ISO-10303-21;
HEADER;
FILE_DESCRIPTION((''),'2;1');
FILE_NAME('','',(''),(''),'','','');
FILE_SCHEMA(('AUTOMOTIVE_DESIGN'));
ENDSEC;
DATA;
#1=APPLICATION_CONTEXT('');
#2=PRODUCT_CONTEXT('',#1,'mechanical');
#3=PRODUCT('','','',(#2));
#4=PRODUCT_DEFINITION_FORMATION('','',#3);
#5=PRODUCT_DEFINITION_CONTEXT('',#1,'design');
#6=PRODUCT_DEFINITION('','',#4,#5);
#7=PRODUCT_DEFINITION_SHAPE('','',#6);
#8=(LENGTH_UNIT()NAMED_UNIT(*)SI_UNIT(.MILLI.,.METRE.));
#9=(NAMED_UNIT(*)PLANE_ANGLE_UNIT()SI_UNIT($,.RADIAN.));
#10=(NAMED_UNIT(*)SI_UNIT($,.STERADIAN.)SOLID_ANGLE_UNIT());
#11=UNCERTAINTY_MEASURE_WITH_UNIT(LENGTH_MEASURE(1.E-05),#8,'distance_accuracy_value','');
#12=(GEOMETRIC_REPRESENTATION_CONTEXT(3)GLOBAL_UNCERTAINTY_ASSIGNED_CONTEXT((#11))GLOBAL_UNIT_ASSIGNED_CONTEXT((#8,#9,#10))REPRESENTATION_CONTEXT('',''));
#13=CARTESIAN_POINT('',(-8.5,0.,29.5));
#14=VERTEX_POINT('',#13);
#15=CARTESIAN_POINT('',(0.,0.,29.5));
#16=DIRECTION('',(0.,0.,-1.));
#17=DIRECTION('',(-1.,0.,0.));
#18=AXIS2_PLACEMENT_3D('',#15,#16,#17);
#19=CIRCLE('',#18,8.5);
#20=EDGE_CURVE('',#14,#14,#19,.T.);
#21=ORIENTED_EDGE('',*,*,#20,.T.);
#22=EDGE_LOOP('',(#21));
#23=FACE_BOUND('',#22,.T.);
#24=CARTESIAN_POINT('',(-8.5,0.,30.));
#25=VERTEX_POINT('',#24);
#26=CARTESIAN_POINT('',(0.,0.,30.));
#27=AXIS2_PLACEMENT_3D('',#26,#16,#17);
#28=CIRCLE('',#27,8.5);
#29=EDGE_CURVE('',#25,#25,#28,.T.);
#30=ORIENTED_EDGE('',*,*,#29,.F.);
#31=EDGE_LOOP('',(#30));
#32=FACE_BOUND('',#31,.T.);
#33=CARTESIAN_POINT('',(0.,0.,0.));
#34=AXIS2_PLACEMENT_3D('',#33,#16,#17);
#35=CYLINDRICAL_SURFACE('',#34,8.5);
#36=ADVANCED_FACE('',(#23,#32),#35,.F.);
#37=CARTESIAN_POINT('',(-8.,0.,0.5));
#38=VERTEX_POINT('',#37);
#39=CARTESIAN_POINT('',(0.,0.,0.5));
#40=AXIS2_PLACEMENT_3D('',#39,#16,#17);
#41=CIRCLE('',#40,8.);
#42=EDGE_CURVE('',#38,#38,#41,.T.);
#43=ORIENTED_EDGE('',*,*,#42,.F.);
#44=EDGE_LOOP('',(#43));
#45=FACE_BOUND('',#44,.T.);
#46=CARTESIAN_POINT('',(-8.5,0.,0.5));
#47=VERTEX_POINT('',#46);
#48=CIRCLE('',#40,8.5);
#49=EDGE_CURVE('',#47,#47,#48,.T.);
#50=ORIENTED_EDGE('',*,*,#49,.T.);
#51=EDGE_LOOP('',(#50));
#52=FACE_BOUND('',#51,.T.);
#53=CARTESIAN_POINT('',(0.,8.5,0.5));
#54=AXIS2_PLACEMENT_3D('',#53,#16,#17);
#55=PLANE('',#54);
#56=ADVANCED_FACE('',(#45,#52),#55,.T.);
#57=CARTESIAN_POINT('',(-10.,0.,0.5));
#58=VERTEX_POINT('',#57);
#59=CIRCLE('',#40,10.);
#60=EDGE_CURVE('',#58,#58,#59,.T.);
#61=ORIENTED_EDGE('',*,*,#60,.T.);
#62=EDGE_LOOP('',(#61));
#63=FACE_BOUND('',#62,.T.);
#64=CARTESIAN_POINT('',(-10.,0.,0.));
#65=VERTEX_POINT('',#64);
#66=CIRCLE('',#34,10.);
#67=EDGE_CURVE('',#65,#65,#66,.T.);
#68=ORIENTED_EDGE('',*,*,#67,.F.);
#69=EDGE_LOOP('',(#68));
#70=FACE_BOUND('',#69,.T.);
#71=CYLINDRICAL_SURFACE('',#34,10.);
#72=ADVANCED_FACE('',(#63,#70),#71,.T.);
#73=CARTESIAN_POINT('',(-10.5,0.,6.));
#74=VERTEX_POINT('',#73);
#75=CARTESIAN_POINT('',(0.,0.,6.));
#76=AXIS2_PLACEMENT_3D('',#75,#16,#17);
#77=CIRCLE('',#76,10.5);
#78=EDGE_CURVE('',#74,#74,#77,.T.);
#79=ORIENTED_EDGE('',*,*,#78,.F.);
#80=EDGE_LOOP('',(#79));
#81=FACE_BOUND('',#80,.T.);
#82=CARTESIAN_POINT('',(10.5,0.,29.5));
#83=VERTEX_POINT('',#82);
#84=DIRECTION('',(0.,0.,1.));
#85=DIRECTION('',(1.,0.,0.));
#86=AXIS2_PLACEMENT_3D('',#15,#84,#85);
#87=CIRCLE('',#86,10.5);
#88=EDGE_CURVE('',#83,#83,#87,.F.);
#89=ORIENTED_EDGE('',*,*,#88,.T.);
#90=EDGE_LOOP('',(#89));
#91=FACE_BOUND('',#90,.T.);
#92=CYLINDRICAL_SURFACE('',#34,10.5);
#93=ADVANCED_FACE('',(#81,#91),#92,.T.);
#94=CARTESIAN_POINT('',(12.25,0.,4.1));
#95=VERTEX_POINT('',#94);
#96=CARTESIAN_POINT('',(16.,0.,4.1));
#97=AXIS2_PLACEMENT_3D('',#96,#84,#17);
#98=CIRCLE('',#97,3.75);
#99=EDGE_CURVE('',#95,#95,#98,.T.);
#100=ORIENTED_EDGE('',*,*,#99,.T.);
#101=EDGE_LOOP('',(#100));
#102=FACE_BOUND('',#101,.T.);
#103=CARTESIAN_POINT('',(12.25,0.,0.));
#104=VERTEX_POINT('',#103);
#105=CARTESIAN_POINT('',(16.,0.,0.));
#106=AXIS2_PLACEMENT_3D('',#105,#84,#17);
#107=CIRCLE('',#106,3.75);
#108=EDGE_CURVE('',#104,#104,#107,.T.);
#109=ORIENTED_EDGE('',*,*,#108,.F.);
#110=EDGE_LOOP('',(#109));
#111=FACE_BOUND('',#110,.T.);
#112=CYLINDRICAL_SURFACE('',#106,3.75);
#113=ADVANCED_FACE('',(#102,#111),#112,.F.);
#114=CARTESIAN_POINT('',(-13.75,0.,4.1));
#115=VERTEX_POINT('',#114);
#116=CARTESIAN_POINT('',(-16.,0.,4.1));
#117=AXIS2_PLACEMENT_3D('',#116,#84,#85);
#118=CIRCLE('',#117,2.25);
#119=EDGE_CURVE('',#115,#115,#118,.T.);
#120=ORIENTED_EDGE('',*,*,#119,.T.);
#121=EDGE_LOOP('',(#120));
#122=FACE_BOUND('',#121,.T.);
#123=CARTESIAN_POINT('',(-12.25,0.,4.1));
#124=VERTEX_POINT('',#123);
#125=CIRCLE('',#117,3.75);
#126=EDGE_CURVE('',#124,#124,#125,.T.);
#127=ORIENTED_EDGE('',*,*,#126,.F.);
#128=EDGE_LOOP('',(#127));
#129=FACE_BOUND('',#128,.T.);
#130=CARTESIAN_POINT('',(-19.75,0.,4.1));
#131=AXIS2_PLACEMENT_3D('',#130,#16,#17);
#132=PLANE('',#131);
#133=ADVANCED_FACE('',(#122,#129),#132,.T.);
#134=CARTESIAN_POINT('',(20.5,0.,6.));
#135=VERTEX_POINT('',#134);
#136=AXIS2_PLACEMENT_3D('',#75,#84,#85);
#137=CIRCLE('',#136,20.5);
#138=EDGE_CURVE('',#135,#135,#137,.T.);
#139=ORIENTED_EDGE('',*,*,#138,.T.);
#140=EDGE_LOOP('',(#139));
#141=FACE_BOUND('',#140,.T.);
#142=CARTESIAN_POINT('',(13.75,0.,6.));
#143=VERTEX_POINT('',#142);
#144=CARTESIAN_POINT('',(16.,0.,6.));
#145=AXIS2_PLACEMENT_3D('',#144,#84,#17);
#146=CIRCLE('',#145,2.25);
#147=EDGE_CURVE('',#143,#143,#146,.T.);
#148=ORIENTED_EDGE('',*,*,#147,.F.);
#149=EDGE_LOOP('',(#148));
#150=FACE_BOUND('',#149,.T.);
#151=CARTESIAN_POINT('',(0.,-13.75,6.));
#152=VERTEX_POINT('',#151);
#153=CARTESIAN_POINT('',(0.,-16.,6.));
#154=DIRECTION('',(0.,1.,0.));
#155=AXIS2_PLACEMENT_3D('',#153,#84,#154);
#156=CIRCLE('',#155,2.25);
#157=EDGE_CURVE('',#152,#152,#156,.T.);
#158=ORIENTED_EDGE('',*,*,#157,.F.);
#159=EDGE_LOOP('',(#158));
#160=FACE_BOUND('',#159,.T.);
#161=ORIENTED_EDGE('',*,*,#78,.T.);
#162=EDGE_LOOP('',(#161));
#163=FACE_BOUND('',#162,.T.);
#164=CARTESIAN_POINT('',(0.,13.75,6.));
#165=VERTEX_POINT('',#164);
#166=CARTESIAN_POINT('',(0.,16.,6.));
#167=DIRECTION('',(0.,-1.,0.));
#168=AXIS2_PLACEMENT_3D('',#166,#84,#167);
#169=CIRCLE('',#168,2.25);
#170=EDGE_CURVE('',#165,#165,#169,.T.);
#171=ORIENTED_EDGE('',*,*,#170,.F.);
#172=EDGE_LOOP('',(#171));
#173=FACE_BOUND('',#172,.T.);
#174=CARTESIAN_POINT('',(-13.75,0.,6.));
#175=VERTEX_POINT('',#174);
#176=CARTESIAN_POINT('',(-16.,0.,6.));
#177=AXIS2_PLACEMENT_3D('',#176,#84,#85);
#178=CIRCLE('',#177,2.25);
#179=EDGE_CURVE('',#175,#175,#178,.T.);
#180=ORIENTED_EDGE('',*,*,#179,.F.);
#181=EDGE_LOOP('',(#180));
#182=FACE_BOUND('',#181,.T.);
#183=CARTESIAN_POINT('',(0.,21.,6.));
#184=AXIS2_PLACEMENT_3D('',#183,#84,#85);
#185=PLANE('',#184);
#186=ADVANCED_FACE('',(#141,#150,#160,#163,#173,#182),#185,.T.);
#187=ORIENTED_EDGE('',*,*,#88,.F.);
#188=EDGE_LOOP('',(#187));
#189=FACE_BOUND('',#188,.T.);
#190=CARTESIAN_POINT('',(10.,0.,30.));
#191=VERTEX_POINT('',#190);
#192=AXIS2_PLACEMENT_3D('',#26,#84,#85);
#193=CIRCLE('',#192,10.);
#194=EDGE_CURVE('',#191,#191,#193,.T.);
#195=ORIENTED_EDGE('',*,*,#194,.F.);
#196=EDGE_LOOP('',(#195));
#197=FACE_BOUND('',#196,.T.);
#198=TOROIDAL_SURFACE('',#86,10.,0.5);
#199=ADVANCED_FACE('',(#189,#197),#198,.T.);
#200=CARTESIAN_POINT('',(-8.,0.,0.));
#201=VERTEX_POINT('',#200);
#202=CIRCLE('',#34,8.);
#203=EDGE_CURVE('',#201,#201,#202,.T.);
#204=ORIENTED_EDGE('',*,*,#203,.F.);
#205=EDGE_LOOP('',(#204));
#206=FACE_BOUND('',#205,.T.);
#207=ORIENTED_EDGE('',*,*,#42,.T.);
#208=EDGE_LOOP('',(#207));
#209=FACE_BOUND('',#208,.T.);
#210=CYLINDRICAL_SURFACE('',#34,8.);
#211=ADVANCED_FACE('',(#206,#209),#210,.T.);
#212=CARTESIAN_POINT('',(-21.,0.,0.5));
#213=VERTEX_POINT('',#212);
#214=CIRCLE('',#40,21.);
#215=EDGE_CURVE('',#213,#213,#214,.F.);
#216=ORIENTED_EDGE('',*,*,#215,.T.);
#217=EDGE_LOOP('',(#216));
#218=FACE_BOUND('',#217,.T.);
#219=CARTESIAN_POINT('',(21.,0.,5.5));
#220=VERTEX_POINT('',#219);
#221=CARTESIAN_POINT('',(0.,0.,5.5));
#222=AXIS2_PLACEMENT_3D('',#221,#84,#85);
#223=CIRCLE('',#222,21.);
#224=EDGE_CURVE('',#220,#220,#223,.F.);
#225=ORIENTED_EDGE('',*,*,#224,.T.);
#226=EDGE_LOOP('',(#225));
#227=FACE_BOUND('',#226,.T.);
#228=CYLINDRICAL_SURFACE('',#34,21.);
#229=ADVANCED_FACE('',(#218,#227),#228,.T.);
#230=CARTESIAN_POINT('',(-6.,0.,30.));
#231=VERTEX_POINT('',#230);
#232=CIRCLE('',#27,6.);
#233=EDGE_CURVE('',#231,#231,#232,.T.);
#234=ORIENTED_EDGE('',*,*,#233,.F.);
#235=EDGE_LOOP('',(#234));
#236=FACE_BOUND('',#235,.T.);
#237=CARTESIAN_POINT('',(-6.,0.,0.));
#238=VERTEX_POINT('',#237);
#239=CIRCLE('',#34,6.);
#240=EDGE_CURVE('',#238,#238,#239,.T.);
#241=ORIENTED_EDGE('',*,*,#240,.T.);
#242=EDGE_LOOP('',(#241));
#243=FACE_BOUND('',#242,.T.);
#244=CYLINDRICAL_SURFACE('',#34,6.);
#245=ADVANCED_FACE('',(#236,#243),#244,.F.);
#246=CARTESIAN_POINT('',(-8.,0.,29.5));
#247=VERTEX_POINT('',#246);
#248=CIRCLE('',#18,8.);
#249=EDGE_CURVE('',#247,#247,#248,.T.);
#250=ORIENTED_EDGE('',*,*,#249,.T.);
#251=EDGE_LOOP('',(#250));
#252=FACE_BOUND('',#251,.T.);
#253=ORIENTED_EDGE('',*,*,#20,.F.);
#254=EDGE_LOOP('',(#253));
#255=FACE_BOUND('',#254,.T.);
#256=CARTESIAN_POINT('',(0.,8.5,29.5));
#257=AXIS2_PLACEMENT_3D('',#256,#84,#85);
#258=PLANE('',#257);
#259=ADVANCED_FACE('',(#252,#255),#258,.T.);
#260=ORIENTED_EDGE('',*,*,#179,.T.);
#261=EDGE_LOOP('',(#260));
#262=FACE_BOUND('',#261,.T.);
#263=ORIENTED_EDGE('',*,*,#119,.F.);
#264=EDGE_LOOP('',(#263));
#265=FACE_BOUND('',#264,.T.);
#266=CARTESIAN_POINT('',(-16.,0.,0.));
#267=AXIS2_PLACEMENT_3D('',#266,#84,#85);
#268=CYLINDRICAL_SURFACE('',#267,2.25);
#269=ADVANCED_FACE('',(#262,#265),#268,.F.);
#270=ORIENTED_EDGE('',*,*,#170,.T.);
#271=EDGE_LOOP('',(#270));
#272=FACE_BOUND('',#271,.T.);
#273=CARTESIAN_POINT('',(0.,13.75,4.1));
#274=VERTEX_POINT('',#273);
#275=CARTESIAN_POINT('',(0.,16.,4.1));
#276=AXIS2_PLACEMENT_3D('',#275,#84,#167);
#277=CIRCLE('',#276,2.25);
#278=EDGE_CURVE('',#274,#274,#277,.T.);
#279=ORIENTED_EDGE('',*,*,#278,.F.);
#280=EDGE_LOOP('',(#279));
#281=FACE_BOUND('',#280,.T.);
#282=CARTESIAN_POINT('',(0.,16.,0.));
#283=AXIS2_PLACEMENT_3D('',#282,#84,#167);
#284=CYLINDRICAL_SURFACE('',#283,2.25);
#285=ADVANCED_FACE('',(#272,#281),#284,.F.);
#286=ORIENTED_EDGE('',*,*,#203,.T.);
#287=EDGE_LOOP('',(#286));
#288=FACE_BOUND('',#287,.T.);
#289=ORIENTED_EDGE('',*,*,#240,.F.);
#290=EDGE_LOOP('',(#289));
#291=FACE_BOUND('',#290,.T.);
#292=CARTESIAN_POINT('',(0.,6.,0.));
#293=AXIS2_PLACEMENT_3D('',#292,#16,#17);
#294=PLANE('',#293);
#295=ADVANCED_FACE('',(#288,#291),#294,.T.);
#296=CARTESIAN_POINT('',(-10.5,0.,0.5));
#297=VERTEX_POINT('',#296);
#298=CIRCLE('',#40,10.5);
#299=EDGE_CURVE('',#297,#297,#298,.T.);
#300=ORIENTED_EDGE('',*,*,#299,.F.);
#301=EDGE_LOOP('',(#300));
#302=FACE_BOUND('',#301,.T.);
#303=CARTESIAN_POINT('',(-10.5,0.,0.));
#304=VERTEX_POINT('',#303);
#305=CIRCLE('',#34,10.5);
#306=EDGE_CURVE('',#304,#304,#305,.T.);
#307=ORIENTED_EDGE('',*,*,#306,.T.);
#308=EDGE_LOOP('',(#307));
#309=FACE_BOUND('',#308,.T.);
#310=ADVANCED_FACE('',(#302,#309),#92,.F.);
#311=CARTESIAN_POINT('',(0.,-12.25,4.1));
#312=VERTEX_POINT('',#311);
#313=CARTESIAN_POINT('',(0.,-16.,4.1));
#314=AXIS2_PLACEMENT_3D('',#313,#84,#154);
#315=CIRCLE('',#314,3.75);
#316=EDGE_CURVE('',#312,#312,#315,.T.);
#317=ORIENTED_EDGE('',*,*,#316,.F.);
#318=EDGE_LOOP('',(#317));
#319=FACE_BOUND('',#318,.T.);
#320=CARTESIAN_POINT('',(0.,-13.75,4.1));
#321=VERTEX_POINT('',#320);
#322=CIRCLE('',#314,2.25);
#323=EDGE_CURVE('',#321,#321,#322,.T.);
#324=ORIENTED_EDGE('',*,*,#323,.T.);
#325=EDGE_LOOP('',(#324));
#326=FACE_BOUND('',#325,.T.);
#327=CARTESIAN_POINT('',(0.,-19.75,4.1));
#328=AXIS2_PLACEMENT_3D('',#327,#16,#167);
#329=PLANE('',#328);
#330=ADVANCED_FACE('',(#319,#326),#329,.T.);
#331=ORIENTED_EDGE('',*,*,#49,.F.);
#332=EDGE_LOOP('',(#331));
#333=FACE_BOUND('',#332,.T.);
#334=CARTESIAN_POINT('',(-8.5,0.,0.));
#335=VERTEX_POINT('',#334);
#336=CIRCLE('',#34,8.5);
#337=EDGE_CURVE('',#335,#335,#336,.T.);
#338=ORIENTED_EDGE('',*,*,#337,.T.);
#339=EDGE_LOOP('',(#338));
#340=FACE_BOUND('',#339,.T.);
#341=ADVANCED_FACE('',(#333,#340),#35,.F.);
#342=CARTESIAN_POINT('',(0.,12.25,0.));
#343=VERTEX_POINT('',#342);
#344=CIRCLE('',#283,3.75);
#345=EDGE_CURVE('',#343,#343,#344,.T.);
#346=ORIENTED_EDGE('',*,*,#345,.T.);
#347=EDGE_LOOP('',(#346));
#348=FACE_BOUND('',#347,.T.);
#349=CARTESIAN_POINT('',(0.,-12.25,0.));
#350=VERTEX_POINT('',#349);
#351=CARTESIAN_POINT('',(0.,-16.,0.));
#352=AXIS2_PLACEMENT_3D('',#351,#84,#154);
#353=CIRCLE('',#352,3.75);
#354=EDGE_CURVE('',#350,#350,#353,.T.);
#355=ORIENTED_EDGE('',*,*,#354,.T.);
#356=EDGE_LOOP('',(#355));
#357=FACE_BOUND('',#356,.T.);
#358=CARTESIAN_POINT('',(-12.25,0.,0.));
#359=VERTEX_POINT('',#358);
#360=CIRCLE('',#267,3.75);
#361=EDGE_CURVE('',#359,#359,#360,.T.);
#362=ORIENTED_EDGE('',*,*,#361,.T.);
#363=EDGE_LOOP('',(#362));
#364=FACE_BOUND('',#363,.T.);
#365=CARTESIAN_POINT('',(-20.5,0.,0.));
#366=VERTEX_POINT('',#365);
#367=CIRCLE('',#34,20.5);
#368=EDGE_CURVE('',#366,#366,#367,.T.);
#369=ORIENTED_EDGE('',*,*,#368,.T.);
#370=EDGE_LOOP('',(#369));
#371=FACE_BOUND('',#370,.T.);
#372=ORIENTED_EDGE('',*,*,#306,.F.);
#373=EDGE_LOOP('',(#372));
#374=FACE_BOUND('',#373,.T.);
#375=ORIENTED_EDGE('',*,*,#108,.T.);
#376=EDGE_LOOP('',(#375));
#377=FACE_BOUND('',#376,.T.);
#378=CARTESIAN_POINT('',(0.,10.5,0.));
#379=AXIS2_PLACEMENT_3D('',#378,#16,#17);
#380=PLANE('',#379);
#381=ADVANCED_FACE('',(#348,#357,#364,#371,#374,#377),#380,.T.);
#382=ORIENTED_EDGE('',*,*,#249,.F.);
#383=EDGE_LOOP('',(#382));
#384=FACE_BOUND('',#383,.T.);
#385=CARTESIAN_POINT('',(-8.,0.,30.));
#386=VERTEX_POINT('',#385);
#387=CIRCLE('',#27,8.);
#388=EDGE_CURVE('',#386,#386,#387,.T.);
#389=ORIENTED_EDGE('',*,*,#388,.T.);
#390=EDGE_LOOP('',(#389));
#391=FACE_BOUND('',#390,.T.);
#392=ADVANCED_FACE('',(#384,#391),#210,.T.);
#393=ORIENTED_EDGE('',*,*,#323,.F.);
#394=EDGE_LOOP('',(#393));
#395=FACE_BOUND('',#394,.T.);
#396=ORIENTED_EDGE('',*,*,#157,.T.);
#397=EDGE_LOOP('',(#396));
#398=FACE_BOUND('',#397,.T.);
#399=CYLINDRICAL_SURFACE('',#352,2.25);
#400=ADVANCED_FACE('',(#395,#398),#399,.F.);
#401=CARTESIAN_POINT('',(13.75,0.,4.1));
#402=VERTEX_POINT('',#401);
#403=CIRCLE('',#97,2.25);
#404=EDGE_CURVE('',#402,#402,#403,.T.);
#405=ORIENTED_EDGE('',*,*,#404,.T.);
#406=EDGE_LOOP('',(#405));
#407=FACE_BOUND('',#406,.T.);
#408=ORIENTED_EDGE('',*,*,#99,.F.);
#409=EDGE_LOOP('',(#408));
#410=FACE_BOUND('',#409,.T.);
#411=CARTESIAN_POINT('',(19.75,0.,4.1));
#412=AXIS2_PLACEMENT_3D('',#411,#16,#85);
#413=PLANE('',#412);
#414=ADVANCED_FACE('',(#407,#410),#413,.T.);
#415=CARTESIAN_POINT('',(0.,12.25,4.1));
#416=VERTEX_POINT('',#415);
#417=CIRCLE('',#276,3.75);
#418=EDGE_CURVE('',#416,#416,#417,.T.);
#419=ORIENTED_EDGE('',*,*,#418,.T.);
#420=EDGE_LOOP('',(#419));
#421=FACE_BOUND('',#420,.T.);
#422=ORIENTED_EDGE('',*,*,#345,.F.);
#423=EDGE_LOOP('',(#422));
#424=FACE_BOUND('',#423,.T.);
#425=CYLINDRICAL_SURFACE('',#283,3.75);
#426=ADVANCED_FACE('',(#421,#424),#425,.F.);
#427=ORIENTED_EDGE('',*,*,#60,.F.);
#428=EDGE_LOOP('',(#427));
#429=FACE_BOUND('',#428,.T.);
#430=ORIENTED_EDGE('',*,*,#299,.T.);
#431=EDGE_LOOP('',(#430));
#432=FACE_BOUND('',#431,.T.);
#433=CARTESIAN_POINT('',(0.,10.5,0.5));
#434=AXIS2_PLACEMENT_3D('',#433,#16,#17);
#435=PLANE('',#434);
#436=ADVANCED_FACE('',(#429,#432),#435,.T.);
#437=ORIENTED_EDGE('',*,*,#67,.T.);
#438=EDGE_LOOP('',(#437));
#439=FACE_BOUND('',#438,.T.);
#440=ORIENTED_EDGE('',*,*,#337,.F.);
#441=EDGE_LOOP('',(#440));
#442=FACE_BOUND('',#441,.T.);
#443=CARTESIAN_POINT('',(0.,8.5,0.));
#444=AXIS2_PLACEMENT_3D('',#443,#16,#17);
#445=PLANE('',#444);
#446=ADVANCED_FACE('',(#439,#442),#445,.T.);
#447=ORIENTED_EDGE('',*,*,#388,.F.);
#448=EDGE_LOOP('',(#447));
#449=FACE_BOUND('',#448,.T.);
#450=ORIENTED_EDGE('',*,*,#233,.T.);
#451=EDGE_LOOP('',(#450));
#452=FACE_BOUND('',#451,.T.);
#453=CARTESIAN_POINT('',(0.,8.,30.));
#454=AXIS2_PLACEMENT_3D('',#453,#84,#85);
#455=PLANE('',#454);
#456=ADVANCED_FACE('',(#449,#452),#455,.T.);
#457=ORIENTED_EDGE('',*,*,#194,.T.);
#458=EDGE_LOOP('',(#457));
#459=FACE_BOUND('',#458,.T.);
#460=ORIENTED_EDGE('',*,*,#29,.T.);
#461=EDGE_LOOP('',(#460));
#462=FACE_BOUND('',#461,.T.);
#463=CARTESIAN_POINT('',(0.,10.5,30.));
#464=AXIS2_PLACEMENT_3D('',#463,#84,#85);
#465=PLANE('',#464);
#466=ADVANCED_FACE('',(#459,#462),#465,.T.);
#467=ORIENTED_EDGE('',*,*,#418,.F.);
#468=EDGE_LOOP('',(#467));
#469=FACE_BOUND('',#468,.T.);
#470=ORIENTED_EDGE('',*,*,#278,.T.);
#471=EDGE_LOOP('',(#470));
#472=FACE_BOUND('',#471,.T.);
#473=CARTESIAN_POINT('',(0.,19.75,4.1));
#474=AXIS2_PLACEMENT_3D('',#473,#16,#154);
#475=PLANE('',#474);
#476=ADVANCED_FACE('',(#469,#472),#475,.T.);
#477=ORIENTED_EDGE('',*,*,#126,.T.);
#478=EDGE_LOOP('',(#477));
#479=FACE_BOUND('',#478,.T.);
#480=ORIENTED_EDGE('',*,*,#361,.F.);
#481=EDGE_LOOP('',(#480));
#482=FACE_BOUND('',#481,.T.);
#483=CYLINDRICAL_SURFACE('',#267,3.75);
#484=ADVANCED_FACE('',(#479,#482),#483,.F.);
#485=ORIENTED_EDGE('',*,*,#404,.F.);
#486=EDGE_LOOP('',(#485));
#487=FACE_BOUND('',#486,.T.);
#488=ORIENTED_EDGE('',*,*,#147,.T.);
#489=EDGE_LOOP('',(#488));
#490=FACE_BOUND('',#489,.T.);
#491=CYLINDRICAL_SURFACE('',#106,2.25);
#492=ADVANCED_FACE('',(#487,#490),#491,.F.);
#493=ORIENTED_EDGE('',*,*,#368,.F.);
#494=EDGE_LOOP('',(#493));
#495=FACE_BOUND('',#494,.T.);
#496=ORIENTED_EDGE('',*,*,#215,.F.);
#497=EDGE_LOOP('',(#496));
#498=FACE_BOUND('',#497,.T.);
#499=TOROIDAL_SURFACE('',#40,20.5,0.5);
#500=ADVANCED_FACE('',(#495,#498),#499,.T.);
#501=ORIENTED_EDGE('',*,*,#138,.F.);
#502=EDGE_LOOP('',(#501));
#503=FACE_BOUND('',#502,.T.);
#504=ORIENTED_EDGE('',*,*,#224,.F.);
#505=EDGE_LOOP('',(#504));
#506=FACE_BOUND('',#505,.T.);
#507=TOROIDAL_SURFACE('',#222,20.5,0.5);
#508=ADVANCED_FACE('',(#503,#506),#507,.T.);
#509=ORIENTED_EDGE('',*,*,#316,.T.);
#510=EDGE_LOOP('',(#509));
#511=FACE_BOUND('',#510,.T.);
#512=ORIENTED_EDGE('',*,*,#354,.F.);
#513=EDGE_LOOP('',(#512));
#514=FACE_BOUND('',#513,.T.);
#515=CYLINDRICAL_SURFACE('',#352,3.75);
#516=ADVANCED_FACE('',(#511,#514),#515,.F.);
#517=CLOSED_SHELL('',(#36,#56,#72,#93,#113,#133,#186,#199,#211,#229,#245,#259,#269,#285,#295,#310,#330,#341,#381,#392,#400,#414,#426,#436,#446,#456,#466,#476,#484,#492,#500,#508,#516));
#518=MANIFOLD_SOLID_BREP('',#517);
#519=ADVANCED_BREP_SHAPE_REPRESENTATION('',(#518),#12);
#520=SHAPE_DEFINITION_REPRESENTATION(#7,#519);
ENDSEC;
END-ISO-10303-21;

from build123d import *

# Parameters (mm, degrees)
PADR_OCIRCULAR1_COUNT = 4
FILETE1_R             = 0.5


with BuildPart() as part:
    # Esboço1 → Revolução1 (revolve)
    with BuildSketch(Plane(origin=(0, 0, 0), x_dir=(0, 0, -1), z_dir=(1, 0, 0)), mode=Mode.PRIVATE) as revolu_o1_sk:
        Polygon((0, 6), (0, 8), (-0.5, 8), (-0.5, 8.5), (0, 8.5), (0, 10), (-0.5, 10), (-0.5, 10.5), (0, 10.5), (0, 21), (-6, 21), (-6, 10.5), (-30, 10.5), (-30, 8.5), (-29.5, 8.5), (-29.5, 8), (-30, 8), (-30, 6), align=None)
    revolve(revolu_o1_sk.sketch.rotate(Axis((0, 0, 0), (0, 0, 1)), 90), axis=Axis((0, 0, 0), (0, 0, 1)))  # turned: the seam where the file's is

    # Esboço5 → Corte-Revolução1 (revolve, cut)
    with BuildSketch(Plane(origin=(0, 0, 0), x_dir=(0, 0, -1), z_dir=(1, 0, 0)), mode=Mode.PRIVATE) as corte_revolu_o1_sk:
        Polygon((0, 19.75), (-4.1, 19.75), (-4.1, 18.25), (-6, 18.25), (-6, 16), (0, 16), align=None)
    corte_revolu_o1 = revolve(corte_revolu_o1_sk.sketch.rotate(Axis((0, 16, 0), (0, 0, -1)), 180), axis=Axis((0, 16, 0), (0, 0, -1)), mode=Mode.SUBTRACT)  # turned: the seam where the file's is

    # PadrãoCircular1: Corte-Revolução1 ×4 about axis
    padr_ocircular1_axis = Axis((0, 0, 0), (0, 0, 1))
    for i in range(1, PADR_OCIRCULAR1_COUNT):
        add(corte_revolu_o1.rotate(padr_ocircular1_axis, i * 360 / PADR_OCIRCULAR1_COUNT), mode=Mode.SUBTRACT)

    # Filete1
    filete1_edges = [part.edges().sort_by_distance(p)[0] for p in [
        (10.5, 0, 30),
        (21, 0, 6),
        (21, 0, 0),
    ]]
    fillet(filete1_edges, radius=FILETE1_R)


solid = part.part
